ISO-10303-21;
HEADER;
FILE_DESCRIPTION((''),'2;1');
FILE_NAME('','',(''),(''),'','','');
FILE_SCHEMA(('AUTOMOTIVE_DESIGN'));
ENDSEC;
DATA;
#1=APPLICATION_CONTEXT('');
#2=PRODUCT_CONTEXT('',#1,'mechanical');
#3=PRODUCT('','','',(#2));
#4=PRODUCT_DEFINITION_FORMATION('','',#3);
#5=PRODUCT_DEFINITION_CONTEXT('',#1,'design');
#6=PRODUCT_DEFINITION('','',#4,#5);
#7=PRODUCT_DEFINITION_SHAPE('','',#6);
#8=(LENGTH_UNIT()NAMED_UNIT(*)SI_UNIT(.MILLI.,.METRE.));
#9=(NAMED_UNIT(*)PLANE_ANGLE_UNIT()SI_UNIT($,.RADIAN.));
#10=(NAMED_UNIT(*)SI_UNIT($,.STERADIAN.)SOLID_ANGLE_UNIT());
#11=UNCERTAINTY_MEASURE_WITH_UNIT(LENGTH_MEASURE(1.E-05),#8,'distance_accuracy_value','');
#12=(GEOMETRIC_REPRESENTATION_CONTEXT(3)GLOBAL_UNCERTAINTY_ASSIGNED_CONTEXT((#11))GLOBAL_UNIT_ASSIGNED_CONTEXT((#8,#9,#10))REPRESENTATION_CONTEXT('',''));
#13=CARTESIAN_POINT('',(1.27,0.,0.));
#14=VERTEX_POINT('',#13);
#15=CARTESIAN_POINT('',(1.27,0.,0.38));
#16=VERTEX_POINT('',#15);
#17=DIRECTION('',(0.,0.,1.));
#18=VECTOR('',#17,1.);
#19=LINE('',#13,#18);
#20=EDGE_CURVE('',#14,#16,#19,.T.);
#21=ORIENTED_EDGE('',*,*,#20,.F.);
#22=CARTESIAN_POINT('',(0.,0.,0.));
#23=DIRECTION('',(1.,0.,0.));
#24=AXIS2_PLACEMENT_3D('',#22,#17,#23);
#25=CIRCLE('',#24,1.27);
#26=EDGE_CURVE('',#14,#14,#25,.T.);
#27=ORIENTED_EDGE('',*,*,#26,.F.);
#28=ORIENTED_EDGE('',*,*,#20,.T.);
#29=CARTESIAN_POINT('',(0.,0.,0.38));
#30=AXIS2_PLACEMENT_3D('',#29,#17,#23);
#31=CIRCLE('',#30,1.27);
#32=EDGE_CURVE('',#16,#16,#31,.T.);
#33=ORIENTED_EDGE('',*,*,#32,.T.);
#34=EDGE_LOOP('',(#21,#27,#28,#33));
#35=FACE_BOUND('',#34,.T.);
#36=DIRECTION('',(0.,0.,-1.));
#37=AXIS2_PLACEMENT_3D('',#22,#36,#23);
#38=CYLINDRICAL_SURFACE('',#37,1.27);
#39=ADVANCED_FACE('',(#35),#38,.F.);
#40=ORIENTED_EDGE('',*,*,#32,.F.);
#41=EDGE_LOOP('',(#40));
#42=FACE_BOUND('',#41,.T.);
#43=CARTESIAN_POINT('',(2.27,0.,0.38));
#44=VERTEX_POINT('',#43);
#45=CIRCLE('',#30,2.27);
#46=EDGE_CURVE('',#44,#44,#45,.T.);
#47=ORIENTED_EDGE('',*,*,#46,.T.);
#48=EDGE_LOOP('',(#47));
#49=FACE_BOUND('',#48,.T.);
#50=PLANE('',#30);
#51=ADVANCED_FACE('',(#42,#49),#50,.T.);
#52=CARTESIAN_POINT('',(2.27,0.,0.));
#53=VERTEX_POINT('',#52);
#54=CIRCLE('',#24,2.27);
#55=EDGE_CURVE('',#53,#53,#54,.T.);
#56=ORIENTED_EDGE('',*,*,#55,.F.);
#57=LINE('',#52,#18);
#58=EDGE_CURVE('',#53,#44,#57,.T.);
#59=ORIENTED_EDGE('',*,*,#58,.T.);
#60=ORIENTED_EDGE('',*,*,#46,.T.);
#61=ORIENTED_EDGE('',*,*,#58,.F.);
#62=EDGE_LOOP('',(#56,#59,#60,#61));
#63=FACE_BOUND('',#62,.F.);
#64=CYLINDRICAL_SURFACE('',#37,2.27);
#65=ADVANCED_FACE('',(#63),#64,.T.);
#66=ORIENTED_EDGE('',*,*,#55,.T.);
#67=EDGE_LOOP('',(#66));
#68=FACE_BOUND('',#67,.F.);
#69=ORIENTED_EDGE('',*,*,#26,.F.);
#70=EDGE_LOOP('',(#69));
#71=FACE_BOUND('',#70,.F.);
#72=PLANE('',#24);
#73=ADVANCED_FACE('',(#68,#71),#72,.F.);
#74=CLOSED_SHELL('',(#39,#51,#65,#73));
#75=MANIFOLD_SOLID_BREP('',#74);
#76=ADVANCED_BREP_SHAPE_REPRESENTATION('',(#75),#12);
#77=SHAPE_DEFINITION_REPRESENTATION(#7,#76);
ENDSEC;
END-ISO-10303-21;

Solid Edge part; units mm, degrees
sketch "Sketch1" plane through (0, 0, 0) normal (0, 0, 1) x (1, 0, 0)
  circle A0 centre (0, 0) radius 2.27
  circle A1 centre (0, 0) radius 1.27
  dimension "D1" = 2.54
  dimension "D2" = 4.54
extrude "Protrusion1" add sketch "Sketch1" along normal blind 0.38
properties material "Silicone"
